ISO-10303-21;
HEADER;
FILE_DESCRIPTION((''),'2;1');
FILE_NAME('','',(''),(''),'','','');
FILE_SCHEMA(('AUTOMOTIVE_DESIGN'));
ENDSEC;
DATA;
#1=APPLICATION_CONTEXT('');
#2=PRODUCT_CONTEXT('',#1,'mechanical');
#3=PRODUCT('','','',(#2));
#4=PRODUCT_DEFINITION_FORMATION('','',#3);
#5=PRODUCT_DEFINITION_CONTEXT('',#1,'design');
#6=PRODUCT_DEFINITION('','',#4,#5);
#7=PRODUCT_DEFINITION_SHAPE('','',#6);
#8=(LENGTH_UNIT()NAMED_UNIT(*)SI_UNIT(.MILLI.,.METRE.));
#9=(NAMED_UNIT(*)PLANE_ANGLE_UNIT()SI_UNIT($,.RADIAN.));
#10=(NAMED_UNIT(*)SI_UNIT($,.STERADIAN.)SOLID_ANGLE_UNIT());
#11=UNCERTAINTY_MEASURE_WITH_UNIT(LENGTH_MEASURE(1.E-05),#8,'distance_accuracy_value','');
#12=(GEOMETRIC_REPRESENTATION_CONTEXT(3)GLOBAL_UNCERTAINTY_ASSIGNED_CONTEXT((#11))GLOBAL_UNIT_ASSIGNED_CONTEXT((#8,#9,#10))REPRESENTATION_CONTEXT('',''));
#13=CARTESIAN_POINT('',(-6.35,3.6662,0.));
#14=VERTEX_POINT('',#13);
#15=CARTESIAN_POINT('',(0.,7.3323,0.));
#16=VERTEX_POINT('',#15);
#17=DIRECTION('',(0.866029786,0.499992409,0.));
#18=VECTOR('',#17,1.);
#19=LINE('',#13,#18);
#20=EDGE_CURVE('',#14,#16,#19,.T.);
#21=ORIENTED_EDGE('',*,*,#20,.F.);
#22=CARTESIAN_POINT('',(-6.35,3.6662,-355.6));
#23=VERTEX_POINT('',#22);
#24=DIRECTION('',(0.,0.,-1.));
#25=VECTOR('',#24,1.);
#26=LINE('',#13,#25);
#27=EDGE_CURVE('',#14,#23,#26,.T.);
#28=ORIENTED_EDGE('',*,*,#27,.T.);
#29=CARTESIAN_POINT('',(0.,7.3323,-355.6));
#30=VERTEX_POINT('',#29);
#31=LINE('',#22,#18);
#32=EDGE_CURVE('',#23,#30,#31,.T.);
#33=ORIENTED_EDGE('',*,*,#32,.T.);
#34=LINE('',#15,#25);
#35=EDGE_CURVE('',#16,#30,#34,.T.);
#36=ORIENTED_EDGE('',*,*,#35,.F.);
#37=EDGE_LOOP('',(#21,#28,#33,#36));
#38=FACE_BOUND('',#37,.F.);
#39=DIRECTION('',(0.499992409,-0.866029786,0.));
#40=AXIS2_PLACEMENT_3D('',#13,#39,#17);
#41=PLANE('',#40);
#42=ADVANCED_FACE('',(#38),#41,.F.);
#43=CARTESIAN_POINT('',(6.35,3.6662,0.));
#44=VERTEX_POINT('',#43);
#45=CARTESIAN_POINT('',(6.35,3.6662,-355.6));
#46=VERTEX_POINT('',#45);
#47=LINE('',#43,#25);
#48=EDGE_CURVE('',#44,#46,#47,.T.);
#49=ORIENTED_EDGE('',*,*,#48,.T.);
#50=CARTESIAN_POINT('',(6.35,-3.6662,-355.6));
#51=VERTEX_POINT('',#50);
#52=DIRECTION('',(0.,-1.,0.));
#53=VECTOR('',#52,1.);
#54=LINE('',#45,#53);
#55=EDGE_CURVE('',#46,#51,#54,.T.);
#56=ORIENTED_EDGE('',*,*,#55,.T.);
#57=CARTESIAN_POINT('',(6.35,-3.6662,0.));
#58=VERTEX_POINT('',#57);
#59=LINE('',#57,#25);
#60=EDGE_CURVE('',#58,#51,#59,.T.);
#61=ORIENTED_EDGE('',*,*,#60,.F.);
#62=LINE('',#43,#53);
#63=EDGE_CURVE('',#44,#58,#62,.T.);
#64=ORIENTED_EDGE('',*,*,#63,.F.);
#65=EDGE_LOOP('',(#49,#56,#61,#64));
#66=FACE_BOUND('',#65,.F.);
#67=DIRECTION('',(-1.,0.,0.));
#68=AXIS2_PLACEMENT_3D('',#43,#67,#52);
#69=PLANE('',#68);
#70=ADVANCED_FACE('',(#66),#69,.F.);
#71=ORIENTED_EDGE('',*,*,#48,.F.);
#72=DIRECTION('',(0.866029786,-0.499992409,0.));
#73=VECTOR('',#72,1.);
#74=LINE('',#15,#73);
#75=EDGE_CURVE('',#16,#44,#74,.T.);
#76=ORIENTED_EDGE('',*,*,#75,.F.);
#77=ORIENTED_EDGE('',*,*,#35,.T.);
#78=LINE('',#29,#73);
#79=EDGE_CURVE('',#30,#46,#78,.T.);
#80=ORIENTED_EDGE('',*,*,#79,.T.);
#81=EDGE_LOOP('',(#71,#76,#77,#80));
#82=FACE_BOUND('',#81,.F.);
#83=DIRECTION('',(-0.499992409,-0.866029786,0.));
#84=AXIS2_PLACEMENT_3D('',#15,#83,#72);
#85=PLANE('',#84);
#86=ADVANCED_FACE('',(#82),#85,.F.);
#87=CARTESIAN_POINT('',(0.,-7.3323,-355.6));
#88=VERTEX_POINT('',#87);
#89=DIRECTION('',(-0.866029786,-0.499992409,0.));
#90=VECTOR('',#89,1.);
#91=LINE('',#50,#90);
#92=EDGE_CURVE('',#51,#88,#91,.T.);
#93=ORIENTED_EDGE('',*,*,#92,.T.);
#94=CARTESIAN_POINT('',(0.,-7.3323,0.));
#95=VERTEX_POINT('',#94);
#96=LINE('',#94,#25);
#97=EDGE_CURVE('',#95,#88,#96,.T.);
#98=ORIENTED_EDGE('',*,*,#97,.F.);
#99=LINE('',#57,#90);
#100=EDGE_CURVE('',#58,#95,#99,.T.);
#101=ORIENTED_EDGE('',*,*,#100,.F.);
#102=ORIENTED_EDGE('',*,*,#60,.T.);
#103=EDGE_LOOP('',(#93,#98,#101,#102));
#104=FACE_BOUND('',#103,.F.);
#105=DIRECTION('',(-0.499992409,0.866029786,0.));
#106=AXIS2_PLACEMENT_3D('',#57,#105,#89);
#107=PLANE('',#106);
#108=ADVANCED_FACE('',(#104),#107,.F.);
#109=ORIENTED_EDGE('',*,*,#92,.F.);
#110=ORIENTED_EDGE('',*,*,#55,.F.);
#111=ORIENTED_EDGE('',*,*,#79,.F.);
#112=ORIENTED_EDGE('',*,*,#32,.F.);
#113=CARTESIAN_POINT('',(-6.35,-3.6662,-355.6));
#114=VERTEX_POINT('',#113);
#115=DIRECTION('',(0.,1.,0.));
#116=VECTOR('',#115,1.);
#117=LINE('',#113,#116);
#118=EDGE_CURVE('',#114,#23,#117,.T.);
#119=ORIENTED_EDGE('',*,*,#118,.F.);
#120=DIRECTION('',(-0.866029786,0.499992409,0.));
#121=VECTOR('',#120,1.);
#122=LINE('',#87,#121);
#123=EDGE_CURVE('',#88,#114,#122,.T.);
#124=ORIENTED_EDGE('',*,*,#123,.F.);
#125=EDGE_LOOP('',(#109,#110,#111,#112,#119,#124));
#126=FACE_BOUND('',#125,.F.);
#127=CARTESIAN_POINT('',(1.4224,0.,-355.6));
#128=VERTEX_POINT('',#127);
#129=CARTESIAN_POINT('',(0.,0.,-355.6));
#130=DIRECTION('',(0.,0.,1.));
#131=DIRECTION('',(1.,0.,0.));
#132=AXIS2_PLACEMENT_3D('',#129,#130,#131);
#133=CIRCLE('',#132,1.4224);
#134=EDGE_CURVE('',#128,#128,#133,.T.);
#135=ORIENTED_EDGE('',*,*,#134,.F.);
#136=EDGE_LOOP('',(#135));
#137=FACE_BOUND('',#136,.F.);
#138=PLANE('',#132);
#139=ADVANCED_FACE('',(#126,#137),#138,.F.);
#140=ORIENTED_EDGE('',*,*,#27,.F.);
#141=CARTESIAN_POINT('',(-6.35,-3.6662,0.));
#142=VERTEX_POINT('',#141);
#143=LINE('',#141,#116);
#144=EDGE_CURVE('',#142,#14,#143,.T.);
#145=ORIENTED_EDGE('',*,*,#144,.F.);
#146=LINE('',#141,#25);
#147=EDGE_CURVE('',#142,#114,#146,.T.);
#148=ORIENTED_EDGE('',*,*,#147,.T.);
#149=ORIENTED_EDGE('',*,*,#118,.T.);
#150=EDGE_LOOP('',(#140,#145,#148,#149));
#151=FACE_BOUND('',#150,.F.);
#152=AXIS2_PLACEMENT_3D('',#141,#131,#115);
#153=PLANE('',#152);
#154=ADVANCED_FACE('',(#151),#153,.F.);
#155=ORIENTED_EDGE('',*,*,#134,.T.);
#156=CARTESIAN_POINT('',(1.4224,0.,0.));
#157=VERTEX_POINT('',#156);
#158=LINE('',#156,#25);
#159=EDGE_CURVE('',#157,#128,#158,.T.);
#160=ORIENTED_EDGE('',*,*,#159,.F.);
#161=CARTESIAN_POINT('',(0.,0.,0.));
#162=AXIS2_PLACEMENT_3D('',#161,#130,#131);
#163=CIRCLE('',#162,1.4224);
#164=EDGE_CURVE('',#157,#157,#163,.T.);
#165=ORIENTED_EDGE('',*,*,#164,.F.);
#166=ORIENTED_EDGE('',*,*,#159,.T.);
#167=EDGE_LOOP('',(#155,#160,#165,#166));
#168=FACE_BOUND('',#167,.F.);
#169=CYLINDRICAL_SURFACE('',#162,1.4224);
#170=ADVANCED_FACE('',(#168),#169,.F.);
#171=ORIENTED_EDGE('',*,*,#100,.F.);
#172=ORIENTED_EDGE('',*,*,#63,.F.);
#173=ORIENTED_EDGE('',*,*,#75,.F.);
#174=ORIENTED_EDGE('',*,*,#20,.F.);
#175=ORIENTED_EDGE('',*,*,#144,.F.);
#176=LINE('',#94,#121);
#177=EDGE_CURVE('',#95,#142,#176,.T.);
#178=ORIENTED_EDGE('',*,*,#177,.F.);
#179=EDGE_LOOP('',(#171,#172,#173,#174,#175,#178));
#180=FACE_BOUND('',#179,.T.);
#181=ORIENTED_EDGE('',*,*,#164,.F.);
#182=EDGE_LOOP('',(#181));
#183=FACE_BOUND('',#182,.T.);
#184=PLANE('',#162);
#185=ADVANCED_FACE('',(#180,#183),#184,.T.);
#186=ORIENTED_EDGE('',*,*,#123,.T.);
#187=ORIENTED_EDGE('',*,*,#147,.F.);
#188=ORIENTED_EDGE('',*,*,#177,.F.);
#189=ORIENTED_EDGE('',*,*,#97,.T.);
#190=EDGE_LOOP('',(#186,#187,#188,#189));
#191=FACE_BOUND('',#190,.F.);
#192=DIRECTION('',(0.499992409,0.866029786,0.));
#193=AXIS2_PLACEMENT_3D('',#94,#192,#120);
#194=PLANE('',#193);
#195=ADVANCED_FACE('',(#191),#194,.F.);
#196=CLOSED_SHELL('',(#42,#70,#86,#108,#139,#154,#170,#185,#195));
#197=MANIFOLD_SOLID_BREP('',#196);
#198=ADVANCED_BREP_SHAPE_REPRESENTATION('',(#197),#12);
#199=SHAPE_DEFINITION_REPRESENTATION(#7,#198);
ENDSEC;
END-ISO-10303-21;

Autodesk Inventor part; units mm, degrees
ref_plane "YZ Plane" through (0, 0, 0) normal (1, 0, 0) x (0, 1, 0)
ref_plane "XZ Plane" through (0, 0, 0) normal (0, 1, 0) x (-1, 0, 0)
ref_plane "XY Plane" through (0, 0, 0) normal (0, 0, 1) x (1, 0, 0)
sketch "Sketch1" plane through (0, 0, 0) normal (0, 0, 1) x (1, 0, 0)
  line L0 (6.35, 3.6662) -> (6.35, -3.6662)
  line L1 (6.35, -3.6662) -> (0, -7.3323)
  line L2 (0, -7.3323) -> (-6.35, -3.6662)
  line L3 (-6.35, -3.6662) -> (-6.35, 3.6662)
  line L4 (-6.35, 3.6662) -> (0, 7.3323)
  line L5 (0, 7.3323) -> (6.35, 3.6662)
  circle A0 centre (0, 0) radius 1.4224
  dimension "d0" = 12.7
  dimension "d3" = 2.8448
extrude "Extrusion1" add sketch "Sketch1" against normal blind 355.6
properties part number "STOCK,SHAFT,HEX,0.500in" material "Steel, Alloy"
